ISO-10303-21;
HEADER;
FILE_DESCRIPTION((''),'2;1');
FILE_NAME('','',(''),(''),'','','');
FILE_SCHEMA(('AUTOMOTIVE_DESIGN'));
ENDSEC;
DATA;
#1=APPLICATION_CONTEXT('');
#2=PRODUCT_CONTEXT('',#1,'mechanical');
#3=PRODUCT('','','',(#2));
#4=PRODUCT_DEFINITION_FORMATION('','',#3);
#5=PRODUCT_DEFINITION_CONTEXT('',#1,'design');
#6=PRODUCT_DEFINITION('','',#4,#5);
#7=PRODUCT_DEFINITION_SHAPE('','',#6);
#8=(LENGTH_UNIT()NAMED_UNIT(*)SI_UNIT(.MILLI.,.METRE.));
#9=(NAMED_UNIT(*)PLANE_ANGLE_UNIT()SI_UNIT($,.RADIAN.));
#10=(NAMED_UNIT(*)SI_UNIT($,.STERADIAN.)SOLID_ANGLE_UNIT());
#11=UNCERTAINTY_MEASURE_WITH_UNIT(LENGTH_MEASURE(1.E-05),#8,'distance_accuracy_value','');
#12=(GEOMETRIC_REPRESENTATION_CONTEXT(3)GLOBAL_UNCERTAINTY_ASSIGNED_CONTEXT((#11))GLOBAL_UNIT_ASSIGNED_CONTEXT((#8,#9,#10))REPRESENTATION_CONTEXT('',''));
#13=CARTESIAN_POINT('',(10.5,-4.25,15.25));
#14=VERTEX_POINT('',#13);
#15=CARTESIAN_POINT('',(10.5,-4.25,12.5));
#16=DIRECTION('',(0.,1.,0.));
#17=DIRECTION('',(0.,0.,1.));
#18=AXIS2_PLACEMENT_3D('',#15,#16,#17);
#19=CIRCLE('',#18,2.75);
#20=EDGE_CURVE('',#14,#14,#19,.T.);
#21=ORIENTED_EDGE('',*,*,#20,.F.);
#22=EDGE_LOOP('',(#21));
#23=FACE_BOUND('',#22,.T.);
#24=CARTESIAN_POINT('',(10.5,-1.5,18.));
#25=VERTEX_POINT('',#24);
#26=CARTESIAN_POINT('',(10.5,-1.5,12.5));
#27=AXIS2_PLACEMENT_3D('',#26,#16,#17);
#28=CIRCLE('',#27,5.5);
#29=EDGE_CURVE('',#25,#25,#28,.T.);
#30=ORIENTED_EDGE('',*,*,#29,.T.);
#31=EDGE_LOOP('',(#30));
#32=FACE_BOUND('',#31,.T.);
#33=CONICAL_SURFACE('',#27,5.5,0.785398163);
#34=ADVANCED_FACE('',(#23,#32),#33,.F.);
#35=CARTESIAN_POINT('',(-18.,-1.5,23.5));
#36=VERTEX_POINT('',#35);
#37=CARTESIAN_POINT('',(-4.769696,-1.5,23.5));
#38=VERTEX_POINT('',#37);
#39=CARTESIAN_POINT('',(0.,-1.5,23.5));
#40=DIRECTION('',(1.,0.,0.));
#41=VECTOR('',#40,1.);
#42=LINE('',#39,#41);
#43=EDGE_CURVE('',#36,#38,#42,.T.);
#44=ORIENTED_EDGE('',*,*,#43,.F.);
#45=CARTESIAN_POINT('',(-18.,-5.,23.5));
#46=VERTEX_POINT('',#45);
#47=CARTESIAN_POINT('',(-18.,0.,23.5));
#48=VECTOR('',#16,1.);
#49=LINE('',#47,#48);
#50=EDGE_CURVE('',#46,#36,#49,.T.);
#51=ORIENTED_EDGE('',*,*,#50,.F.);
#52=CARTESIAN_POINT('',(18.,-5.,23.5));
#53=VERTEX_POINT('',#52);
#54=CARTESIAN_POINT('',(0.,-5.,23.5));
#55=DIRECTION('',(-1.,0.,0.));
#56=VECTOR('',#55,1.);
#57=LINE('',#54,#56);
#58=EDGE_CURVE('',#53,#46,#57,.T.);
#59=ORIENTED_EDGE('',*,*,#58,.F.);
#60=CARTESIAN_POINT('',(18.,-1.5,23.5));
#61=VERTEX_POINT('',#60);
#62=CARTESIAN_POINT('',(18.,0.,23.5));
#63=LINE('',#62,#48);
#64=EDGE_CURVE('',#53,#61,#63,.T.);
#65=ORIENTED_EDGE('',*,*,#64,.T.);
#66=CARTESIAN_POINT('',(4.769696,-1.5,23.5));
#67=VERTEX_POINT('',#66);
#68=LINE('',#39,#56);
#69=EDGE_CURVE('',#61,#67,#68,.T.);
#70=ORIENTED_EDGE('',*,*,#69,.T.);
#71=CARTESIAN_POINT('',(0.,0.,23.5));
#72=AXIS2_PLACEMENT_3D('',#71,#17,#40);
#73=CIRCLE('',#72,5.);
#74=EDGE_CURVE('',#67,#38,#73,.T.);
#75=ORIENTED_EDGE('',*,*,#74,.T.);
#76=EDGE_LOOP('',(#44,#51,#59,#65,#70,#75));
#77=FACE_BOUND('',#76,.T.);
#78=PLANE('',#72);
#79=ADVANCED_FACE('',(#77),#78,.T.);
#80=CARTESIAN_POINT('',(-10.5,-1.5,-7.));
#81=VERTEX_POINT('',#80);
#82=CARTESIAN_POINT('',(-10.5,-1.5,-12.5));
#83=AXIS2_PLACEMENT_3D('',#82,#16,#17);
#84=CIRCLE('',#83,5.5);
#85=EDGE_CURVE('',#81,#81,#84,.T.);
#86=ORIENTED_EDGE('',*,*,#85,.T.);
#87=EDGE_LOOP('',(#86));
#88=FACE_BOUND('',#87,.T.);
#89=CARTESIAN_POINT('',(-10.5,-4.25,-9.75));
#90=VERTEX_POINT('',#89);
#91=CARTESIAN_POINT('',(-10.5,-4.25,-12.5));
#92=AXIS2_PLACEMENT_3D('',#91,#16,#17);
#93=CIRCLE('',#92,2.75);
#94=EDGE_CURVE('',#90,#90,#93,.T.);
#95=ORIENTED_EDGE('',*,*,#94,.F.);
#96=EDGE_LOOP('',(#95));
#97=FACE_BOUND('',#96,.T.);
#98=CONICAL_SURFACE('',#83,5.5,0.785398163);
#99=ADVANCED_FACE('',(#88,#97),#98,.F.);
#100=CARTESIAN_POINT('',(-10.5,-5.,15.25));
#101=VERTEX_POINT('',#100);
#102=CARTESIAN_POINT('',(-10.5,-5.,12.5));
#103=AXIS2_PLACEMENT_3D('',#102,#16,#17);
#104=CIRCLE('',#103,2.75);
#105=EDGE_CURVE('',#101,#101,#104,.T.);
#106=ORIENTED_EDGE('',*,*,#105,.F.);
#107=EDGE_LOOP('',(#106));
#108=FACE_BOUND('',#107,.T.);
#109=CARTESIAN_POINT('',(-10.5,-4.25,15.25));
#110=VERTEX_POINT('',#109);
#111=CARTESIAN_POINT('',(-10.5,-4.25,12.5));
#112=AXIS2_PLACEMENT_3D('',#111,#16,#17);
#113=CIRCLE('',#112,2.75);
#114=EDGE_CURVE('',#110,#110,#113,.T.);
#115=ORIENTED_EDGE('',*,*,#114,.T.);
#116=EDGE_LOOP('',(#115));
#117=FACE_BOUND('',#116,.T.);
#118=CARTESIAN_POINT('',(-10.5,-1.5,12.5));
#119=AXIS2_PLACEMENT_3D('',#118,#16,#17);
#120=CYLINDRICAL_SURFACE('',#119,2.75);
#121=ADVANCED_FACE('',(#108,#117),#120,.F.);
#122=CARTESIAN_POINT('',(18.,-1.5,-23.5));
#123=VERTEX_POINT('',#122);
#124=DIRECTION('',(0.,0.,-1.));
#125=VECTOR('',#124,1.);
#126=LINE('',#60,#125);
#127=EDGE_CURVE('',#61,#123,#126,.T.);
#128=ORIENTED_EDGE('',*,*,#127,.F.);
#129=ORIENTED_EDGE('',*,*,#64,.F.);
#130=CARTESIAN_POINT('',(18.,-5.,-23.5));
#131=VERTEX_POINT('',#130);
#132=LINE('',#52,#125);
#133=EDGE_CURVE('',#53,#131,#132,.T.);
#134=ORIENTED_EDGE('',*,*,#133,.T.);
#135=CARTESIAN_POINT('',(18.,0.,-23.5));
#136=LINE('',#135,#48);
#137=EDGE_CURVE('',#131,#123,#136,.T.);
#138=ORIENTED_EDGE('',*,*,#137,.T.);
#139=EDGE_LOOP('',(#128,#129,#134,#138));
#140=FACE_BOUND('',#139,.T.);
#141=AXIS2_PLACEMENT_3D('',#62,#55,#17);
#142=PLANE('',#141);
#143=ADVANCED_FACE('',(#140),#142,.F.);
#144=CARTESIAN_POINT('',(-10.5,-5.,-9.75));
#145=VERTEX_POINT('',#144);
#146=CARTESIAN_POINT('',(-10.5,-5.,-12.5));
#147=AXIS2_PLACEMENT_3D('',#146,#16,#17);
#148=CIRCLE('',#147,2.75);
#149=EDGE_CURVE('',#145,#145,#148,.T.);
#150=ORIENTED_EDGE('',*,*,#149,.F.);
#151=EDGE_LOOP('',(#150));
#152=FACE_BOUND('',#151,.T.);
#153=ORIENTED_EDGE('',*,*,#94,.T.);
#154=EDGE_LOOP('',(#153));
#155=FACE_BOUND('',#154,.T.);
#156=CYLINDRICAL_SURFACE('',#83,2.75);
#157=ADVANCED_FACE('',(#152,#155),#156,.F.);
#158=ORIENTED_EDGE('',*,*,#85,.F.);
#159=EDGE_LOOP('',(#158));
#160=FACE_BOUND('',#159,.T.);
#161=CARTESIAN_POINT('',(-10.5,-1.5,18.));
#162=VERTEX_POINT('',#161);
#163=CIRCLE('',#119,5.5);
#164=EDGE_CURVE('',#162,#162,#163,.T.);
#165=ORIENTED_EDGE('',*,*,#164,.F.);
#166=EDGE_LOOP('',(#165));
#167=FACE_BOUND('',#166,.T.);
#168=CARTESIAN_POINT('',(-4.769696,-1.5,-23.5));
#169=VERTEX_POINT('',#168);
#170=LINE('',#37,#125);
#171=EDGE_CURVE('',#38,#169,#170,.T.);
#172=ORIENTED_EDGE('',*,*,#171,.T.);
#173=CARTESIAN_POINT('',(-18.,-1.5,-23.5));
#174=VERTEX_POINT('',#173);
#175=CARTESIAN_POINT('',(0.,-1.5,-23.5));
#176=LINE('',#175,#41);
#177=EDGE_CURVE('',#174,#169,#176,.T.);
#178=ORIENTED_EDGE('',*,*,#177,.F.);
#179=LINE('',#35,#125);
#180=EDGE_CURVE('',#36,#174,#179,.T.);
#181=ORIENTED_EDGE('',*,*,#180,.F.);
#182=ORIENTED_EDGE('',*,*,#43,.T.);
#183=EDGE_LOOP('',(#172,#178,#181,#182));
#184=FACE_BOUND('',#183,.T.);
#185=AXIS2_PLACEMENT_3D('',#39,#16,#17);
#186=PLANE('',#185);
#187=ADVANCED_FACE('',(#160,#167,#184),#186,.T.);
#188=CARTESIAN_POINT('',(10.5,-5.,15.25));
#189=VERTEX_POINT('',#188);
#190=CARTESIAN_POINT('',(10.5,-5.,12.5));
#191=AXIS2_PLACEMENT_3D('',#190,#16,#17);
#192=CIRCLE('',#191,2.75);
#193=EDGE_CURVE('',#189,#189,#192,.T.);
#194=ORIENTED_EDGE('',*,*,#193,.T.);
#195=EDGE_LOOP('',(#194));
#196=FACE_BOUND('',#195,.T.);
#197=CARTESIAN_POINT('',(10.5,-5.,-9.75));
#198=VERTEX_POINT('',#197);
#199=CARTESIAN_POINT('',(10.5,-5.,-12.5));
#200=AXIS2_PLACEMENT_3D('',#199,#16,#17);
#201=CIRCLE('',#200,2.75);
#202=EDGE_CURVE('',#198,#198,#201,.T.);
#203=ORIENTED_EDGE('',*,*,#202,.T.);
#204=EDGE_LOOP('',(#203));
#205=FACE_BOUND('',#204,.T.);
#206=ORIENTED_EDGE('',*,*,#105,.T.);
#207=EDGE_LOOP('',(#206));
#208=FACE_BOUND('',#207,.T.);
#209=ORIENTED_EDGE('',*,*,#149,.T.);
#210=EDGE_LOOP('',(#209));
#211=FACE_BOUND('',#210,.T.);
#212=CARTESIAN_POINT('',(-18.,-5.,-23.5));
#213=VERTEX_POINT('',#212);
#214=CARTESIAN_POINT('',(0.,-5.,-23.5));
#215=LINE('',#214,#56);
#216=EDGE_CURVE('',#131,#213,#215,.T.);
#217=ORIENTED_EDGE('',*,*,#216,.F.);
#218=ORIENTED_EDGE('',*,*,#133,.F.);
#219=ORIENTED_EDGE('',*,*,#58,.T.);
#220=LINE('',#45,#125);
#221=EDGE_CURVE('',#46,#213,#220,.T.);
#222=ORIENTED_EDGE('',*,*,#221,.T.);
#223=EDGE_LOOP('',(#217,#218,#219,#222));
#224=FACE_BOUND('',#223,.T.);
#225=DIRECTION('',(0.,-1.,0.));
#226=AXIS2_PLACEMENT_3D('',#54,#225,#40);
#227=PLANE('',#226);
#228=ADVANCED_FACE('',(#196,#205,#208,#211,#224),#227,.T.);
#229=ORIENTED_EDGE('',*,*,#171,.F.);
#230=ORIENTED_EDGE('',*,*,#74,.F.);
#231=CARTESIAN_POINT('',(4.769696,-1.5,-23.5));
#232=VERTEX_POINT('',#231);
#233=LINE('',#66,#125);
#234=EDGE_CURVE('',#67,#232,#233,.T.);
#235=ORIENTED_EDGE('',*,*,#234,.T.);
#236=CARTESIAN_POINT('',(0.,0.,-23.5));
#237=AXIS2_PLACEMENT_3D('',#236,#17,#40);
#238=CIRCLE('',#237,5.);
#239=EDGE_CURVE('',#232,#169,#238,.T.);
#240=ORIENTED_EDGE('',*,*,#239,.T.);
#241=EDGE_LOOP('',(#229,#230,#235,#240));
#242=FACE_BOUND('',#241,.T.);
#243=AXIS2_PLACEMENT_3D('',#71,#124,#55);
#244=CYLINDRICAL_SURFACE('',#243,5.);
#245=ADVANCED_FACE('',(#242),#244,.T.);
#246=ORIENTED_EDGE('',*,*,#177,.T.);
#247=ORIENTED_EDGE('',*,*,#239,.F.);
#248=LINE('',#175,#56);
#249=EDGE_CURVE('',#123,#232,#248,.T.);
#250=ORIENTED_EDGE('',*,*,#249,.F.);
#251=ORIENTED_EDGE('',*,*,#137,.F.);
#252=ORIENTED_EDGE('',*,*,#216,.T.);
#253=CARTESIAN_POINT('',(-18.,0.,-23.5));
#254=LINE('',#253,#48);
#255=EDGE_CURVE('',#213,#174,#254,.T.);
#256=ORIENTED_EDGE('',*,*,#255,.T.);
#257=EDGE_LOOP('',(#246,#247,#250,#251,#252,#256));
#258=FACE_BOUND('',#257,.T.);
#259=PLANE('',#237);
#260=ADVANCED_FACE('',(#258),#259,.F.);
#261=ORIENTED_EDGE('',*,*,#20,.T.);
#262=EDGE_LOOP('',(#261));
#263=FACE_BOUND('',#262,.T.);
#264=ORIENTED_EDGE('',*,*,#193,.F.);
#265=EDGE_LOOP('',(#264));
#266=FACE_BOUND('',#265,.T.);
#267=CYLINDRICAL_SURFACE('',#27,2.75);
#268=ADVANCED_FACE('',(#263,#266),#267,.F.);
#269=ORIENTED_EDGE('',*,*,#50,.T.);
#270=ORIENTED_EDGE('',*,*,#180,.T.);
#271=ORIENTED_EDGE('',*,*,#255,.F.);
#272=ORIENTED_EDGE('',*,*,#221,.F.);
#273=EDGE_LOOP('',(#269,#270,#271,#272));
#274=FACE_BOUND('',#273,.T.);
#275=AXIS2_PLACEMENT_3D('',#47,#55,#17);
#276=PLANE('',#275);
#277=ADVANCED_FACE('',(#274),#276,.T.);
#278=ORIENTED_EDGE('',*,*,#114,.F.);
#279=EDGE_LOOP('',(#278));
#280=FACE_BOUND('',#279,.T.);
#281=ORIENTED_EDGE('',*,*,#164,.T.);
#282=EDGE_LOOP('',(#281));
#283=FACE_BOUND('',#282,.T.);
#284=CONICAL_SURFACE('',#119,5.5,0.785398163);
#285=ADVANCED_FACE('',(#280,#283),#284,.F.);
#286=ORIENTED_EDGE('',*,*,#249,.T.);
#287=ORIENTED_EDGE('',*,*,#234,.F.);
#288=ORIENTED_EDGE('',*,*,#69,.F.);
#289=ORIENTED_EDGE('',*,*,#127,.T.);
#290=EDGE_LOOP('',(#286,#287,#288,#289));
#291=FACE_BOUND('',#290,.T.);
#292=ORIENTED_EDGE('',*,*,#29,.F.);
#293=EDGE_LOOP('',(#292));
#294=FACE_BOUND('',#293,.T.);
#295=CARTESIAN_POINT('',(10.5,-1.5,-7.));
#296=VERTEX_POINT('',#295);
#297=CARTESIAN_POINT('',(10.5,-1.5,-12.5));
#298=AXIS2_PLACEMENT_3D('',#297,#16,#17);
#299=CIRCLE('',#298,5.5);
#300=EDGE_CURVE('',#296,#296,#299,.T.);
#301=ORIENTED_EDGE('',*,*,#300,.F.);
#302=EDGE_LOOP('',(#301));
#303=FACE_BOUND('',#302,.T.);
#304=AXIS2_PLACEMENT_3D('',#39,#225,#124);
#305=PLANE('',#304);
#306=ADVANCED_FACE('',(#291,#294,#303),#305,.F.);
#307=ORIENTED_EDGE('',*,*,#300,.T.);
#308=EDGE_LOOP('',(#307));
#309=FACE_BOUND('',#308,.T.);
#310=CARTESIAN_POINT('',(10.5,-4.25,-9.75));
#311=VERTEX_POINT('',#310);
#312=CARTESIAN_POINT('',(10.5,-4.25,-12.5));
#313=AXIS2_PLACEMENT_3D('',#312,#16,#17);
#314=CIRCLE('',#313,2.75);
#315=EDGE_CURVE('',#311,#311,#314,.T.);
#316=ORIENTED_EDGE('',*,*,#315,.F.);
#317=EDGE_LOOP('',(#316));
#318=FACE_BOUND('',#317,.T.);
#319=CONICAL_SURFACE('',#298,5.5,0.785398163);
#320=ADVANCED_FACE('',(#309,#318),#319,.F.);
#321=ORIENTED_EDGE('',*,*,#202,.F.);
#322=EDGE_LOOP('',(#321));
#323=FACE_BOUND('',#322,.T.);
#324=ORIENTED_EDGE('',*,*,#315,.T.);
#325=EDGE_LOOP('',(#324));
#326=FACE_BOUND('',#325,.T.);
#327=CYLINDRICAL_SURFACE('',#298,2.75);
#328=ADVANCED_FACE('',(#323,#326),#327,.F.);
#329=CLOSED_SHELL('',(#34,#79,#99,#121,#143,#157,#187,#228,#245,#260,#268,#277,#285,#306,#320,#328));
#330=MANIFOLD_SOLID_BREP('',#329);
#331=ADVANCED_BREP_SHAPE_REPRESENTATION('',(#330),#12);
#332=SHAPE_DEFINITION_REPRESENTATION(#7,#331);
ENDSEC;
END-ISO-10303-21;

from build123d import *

# Parameters (mm, degrees)
SKETCH1_R           = 5
BOSS_EXTRUDE1_DEPTH = 23.5
HOLE1_AT_2_COUNT    = 2
HOLE1_AT_2_PITCH    = 25


with BuildPart() as part:
    # Sketch1 → Boss-Extrude1 (new, symmetric)
    with BuildSketch(Plane.XY):
        with BuildLine():
            Line((-18, -5), (0, -5))
            ThreePointArc((0, -5), (-2.958039892, -4.031128874), (-4.769696007, -1.5))
            Line((-4.769696007, -1.5), (-18, -1.5))
            Line((-18, -1.5), (-18, -5))
        make_face()
        Circle(SKETCH1_R)
    boss_extrude1 = extrude(amount=BOSS_EXTRUDE1_DEPTH, both=True)

    # Sketch5 → Hole1 (revolve, cut)
    with BuildSketch(Plane(origin=(-10.5, -1.5, -12.5), x_dir=(0, 0, 1), z_dir=(1, 0, 0))):
        Polygon((0, 0), (0, 5.152366702), (2.75, 3.5), (2.75, 2.75), (5.5, 0), align=None)
    hole1 = revolve(axis=Axis((-10.5, 12.808894879, -12.5), (0, -1, 0)), mode=Mode.SUBTRACT)

    # Hole1 at 2: Hole1 ×2
    with Locations(*[(0, 0, i * HOLE1_AT_2_PITCH) for i in range(1, HOLE1_AT_2_COUNT)]):
        add(hole1, mode=Mode.SUBTRACT)

    # Mirror1: Boss-Extrude1 across plane
    add(boss_extrude1.mirror(Plane(origin=(0, 0, 0), x_dir=(0, 0, 1), z_dir=(1, 0, 0))))

    # Mirror2: Hole1 across plane
    add(hole1.mirror(Plane(origin=(0, 0, 0), x_dir=(0, 0, 1), z_dir=(1, 0, 0))), mode=Mode.SUBTRACT)

    # Mirror2 copy 1 sketch → Mirror2 copy 1 (revolve, cut)
    with BuildSketch(Plane(origin=(10.5, -1.5, 12.5), x_dir=(0, 0, 1), z_dir=(-1, 0, 0))):
        Polygon((0, 0), (0, -5.152366702), (2.75, -3.5), (2.75, -2.75), (5.5, 0), align=None)
    revolve(axis=Axis((10.5, 12.808894879, 12.5), (0, 1, 0)), mode=Mode.SUBTRACT)


solid = part.part
